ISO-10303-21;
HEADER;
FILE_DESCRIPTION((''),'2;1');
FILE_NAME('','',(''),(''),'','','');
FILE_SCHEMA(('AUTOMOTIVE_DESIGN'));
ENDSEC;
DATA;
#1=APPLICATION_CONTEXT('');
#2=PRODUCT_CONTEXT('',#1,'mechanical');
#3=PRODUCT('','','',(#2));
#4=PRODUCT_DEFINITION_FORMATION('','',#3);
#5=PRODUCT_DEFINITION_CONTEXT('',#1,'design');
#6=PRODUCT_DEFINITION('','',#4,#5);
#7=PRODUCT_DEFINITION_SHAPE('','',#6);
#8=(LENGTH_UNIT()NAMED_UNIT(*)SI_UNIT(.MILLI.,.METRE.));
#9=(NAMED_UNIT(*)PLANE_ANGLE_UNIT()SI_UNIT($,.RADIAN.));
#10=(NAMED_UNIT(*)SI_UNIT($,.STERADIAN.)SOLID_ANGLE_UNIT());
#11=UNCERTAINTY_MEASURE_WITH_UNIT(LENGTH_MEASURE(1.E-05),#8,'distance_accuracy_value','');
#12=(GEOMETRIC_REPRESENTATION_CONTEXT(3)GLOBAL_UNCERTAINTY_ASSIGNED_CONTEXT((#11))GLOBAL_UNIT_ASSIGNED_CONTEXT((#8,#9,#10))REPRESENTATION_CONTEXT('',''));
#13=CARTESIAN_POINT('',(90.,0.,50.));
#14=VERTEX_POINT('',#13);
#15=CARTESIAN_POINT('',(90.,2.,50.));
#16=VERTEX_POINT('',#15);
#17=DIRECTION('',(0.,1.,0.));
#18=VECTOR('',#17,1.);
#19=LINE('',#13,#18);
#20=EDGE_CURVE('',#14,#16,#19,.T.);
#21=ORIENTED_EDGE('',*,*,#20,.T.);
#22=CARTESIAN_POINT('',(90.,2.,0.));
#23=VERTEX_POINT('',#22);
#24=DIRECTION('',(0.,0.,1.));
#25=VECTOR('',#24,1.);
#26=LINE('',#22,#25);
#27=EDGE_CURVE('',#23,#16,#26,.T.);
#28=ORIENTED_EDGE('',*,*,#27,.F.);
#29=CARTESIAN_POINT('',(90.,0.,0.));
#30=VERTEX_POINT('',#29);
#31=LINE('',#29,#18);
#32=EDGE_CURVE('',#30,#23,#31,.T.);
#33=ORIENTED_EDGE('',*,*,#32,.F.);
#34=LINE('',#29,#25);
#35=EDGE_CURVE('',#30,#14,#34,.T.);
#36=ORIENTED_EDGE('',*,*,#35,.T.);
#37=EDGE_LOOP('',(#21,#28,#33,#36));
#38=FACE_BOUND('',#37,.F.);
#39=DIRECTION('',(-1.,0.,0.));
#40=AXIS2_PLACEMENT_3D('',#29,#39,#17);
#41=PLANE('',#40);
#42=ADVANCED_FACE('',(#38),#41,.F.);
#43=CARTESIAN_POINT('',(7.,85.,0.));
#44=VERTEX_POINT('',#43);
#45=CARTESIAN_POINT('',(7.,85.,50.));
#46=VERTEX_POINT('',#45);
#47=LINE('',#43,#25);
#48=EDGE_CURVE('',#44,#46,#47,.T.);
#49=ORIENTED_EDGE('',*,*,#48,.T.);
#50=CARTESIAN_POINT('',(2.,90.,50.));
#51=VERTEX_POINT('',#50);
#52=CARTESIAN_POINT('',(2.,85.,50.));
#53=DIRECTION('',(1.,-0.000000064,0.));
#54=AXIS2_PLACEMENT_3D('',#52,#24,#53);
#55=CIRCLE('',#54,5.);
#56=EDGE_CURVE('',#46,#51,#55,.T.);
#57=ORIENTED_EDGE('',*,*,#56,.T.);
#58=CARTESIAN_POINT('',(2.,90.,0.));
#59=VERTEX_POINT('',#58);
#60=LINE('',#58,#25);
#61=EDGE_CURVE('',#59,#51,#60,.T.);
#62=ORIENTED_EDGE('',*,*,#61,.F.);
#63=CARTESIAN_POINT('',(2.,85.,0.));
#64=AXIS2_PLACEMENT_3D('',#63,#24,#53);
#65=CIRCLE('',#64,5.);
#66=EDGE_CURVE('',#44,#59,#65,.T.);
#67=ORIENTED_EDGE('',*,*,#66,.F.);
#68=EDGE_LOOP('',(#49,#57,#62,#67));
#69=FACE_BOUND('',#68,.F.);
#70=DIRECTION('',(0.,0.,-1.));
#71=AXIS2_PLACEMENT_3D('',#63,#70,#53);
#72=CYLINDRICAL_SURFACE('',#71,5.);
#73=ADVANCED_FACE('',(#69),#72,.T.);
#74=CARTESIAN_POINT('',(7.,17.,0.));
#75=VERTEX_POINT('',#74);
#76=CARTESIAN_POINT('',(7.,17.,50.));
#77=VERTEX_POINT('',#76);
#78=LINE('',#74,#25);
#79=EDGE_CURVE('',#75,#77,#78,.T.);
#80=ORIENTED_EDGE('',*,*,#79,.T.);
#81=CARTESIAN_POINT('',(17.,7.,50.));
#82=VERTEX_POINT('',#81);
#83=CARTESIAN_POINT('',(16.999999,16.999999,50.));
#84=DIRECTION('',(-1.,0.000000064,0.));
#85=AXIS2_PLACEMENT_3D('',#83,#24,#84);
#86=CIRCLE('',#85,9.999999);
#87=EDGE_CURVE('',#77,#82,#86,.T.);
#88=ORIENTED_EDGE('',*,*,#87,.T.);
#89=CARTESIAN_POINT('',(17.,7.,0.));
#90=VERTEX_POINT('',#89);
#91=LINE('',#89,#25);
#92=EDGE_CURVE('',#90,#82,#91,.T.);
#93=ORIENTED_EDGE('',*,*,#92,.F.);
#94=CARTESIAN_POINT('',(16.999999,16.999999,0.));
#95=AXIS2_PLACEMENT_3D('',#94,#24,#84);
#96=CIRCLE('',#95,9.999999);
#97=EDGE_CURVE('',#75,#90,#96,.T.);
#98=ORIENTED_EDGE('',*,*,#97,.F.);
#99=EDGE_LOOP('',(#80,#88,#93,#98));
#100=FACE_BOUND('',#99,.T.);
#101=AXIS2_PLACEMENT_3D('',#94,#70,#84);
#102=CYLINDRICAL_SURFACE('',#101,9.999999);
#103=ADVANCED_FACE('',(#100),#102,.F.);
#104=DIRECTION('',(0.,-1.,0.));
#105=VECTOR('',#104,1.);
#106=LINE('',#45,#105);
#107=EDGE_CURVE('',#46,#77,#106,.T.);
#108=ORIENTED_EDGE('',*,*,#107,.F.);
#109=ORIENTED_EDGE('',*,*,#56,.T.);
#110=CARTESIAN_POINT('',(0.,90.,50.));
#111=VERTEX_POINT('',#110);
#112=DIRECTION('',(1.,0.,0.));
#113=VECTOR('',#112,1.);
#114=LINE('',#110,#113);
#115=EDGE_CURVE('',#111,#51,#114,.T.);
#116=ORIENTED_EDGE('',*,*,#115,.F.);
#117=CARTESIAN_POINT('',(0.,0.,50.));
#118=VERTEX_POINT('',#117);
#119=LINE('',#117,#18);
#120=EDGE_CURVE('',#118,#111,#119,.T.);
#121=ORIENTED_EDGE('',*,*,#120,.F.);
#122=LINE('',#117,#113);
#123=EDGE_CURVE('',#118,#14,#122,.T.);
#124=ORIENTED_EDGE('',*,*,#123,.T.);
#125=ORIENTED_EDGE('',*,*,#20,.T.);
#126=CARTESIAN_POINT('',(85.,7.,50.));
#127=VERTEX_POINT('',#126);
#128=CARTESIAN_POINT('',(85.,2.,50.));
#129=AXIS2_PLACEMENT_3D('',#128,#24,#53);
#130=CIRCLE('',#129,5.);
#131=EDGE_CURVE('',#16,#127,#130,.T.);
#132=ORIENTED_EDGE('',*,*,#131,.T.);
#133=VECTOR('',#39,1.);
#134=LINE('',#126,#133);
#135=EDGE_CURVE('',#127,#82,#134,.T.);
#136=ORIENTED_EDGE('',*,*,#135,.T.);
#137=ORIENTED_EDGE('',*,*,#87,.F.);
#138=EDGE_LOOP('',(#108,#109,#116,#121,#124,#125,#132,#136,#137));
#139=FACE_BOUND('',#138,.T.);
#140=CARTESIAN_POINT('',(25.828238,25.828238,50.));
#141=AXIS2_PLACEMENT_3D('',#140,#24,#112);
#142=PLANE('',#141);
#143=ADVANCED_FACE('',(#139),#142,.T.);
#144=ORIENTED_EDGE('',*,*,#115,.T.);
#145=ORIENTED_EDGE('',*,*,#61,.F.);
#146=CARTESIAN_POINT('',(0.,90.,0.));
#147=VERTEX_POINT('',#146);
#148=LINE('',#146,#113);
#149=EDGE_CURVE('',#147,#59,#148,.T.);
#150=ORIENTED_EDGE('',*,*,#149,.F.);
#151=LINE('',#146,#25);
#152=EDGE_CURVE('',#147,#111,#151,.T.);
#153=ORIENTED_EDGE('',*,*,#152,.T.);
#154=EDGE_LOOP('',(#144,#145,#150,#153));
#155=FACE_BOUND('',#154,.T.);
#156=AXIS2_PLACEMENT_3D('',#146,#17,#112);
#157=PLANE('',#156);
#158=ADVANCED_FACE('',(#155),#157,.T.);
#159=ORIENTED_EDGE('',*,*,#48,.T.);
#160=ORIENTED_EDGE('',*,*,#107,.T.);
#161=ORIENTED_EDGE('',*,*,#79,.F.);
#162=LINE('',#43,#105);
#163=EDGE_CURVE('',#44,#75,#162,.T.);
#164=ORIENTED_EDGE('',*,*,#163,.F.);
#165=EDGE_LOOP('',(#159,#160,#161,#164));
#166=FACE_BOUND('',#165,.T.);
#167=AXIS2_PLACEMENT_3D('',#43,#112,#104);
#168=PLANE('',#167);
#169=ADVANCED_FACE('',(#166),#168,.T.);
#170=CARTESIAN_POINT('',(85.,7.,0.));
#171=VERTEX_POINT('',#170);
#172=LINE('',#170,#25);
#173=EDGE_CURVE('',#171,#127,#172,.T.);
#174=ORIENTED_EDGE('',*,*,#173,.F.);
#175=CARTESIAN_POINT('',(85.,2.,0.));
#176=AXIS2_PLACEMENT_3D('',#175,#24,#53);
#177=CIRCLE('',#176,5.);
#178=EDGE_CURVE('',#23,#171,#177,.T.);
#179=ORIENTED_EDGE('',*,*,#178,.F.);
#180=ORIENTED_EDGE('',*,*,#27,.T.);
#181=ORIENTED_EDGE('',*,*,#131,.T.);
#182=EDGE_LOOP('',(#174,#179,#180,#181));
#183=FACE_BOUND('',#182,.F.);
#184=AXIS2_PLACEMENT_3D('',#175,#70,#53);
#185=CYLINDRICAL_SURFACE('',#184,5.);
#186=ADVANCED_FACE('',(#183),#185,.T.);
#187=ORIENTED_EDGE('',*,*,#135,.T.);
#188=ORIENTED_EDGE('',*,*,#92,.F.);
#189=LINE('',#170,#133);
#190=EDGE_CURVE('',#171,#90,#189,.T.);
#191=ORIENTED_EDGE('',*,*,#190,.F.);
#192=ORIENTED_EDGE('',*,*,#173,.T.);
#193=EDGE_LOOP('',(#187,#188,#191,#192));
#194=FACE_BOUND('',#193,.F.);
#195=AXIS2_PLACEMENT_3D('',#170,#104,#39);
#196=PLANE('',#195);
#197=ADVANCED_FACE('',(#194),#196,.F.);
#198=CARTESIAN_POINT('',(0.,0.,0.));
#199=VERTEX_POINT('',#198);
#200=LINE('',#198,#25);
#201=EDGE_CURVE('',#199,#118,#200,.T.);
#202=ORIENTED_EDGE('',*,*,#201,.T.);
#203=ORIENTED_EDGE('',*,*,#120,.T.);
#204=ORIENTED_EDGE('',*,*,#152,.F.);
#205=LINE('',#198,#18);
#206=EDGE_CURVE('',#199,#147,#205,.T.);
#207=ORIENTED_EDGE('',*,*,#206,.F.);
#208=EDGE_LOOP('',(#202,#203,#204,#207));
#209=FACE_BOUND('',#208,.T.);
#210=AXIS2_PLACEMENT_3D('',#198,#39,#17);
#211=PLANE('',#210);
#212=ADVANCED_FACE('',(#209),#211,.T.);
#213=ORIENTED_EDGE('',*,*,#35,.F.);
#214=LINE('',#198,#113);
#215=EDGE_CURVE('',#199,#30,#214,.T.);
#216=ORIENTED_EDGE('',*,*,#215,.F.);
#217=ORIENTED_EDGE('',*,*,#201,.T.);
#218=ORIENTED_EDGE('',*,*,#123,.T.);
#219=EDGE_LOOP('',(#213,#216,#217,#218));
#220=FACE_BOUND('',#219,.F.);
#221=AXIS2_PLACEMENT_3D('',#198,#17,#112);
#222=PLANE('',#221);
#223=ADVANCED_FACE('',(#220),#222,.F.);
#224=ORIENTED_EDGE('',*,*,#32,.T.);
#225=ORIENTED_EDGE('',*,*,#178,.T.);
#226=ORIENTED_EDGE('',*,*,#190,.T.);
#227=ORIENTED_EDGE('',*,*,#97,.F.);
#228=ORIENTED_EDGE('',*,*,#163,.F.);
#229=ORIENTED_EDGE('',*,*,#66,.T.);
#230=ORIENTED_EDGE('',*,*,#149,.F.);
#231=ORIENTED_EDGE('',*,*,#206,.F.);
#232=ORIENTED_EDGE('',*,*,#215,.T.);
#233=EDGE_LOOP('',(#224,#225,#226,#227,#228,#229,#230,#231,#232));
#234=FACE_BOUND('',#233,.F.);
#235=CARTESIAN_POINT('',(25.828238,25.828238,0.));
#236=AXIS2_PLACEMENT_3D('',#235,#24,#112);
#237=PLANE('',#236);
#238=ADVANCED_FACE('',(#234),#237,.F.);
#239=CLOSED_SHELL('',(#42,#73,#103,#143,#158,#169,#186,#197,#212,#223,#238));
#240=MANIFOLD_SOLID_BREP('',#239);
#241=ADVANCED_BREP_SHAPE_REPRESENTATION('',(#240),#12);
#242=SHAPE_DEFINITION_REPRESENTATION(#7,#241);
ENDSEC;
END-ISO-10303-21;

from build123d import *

# Parameters (mm, degrees)
EXTRUDE_DEPTH = 50


with BuildPart() as part:
    # Sketch → Extrude (new body)
    with BuildSketch(Plane.XY):
        with BuildLine():
            Line((0, 0), (90, 0))
            Line((90, 0), (90, 2))
            ThreePointArc((90, 2), (88.535534, 5.535534), (85, 7))
            Line((85, 7), (17, 7))
            ThreePointArc((7, 17), (9.928932, 9.928932), (17, 7))
            Line((7, 85), (7, 17))
            ThreePointArc((7, 85), (5.535534, 88.535534), (2, 90))
            Line((0, 90), (2, 90))
            Line((0, 0), (0, 90))
        make_face()
    extrude(amount=EXTRUDE_DEPTH)


solid = part.part
